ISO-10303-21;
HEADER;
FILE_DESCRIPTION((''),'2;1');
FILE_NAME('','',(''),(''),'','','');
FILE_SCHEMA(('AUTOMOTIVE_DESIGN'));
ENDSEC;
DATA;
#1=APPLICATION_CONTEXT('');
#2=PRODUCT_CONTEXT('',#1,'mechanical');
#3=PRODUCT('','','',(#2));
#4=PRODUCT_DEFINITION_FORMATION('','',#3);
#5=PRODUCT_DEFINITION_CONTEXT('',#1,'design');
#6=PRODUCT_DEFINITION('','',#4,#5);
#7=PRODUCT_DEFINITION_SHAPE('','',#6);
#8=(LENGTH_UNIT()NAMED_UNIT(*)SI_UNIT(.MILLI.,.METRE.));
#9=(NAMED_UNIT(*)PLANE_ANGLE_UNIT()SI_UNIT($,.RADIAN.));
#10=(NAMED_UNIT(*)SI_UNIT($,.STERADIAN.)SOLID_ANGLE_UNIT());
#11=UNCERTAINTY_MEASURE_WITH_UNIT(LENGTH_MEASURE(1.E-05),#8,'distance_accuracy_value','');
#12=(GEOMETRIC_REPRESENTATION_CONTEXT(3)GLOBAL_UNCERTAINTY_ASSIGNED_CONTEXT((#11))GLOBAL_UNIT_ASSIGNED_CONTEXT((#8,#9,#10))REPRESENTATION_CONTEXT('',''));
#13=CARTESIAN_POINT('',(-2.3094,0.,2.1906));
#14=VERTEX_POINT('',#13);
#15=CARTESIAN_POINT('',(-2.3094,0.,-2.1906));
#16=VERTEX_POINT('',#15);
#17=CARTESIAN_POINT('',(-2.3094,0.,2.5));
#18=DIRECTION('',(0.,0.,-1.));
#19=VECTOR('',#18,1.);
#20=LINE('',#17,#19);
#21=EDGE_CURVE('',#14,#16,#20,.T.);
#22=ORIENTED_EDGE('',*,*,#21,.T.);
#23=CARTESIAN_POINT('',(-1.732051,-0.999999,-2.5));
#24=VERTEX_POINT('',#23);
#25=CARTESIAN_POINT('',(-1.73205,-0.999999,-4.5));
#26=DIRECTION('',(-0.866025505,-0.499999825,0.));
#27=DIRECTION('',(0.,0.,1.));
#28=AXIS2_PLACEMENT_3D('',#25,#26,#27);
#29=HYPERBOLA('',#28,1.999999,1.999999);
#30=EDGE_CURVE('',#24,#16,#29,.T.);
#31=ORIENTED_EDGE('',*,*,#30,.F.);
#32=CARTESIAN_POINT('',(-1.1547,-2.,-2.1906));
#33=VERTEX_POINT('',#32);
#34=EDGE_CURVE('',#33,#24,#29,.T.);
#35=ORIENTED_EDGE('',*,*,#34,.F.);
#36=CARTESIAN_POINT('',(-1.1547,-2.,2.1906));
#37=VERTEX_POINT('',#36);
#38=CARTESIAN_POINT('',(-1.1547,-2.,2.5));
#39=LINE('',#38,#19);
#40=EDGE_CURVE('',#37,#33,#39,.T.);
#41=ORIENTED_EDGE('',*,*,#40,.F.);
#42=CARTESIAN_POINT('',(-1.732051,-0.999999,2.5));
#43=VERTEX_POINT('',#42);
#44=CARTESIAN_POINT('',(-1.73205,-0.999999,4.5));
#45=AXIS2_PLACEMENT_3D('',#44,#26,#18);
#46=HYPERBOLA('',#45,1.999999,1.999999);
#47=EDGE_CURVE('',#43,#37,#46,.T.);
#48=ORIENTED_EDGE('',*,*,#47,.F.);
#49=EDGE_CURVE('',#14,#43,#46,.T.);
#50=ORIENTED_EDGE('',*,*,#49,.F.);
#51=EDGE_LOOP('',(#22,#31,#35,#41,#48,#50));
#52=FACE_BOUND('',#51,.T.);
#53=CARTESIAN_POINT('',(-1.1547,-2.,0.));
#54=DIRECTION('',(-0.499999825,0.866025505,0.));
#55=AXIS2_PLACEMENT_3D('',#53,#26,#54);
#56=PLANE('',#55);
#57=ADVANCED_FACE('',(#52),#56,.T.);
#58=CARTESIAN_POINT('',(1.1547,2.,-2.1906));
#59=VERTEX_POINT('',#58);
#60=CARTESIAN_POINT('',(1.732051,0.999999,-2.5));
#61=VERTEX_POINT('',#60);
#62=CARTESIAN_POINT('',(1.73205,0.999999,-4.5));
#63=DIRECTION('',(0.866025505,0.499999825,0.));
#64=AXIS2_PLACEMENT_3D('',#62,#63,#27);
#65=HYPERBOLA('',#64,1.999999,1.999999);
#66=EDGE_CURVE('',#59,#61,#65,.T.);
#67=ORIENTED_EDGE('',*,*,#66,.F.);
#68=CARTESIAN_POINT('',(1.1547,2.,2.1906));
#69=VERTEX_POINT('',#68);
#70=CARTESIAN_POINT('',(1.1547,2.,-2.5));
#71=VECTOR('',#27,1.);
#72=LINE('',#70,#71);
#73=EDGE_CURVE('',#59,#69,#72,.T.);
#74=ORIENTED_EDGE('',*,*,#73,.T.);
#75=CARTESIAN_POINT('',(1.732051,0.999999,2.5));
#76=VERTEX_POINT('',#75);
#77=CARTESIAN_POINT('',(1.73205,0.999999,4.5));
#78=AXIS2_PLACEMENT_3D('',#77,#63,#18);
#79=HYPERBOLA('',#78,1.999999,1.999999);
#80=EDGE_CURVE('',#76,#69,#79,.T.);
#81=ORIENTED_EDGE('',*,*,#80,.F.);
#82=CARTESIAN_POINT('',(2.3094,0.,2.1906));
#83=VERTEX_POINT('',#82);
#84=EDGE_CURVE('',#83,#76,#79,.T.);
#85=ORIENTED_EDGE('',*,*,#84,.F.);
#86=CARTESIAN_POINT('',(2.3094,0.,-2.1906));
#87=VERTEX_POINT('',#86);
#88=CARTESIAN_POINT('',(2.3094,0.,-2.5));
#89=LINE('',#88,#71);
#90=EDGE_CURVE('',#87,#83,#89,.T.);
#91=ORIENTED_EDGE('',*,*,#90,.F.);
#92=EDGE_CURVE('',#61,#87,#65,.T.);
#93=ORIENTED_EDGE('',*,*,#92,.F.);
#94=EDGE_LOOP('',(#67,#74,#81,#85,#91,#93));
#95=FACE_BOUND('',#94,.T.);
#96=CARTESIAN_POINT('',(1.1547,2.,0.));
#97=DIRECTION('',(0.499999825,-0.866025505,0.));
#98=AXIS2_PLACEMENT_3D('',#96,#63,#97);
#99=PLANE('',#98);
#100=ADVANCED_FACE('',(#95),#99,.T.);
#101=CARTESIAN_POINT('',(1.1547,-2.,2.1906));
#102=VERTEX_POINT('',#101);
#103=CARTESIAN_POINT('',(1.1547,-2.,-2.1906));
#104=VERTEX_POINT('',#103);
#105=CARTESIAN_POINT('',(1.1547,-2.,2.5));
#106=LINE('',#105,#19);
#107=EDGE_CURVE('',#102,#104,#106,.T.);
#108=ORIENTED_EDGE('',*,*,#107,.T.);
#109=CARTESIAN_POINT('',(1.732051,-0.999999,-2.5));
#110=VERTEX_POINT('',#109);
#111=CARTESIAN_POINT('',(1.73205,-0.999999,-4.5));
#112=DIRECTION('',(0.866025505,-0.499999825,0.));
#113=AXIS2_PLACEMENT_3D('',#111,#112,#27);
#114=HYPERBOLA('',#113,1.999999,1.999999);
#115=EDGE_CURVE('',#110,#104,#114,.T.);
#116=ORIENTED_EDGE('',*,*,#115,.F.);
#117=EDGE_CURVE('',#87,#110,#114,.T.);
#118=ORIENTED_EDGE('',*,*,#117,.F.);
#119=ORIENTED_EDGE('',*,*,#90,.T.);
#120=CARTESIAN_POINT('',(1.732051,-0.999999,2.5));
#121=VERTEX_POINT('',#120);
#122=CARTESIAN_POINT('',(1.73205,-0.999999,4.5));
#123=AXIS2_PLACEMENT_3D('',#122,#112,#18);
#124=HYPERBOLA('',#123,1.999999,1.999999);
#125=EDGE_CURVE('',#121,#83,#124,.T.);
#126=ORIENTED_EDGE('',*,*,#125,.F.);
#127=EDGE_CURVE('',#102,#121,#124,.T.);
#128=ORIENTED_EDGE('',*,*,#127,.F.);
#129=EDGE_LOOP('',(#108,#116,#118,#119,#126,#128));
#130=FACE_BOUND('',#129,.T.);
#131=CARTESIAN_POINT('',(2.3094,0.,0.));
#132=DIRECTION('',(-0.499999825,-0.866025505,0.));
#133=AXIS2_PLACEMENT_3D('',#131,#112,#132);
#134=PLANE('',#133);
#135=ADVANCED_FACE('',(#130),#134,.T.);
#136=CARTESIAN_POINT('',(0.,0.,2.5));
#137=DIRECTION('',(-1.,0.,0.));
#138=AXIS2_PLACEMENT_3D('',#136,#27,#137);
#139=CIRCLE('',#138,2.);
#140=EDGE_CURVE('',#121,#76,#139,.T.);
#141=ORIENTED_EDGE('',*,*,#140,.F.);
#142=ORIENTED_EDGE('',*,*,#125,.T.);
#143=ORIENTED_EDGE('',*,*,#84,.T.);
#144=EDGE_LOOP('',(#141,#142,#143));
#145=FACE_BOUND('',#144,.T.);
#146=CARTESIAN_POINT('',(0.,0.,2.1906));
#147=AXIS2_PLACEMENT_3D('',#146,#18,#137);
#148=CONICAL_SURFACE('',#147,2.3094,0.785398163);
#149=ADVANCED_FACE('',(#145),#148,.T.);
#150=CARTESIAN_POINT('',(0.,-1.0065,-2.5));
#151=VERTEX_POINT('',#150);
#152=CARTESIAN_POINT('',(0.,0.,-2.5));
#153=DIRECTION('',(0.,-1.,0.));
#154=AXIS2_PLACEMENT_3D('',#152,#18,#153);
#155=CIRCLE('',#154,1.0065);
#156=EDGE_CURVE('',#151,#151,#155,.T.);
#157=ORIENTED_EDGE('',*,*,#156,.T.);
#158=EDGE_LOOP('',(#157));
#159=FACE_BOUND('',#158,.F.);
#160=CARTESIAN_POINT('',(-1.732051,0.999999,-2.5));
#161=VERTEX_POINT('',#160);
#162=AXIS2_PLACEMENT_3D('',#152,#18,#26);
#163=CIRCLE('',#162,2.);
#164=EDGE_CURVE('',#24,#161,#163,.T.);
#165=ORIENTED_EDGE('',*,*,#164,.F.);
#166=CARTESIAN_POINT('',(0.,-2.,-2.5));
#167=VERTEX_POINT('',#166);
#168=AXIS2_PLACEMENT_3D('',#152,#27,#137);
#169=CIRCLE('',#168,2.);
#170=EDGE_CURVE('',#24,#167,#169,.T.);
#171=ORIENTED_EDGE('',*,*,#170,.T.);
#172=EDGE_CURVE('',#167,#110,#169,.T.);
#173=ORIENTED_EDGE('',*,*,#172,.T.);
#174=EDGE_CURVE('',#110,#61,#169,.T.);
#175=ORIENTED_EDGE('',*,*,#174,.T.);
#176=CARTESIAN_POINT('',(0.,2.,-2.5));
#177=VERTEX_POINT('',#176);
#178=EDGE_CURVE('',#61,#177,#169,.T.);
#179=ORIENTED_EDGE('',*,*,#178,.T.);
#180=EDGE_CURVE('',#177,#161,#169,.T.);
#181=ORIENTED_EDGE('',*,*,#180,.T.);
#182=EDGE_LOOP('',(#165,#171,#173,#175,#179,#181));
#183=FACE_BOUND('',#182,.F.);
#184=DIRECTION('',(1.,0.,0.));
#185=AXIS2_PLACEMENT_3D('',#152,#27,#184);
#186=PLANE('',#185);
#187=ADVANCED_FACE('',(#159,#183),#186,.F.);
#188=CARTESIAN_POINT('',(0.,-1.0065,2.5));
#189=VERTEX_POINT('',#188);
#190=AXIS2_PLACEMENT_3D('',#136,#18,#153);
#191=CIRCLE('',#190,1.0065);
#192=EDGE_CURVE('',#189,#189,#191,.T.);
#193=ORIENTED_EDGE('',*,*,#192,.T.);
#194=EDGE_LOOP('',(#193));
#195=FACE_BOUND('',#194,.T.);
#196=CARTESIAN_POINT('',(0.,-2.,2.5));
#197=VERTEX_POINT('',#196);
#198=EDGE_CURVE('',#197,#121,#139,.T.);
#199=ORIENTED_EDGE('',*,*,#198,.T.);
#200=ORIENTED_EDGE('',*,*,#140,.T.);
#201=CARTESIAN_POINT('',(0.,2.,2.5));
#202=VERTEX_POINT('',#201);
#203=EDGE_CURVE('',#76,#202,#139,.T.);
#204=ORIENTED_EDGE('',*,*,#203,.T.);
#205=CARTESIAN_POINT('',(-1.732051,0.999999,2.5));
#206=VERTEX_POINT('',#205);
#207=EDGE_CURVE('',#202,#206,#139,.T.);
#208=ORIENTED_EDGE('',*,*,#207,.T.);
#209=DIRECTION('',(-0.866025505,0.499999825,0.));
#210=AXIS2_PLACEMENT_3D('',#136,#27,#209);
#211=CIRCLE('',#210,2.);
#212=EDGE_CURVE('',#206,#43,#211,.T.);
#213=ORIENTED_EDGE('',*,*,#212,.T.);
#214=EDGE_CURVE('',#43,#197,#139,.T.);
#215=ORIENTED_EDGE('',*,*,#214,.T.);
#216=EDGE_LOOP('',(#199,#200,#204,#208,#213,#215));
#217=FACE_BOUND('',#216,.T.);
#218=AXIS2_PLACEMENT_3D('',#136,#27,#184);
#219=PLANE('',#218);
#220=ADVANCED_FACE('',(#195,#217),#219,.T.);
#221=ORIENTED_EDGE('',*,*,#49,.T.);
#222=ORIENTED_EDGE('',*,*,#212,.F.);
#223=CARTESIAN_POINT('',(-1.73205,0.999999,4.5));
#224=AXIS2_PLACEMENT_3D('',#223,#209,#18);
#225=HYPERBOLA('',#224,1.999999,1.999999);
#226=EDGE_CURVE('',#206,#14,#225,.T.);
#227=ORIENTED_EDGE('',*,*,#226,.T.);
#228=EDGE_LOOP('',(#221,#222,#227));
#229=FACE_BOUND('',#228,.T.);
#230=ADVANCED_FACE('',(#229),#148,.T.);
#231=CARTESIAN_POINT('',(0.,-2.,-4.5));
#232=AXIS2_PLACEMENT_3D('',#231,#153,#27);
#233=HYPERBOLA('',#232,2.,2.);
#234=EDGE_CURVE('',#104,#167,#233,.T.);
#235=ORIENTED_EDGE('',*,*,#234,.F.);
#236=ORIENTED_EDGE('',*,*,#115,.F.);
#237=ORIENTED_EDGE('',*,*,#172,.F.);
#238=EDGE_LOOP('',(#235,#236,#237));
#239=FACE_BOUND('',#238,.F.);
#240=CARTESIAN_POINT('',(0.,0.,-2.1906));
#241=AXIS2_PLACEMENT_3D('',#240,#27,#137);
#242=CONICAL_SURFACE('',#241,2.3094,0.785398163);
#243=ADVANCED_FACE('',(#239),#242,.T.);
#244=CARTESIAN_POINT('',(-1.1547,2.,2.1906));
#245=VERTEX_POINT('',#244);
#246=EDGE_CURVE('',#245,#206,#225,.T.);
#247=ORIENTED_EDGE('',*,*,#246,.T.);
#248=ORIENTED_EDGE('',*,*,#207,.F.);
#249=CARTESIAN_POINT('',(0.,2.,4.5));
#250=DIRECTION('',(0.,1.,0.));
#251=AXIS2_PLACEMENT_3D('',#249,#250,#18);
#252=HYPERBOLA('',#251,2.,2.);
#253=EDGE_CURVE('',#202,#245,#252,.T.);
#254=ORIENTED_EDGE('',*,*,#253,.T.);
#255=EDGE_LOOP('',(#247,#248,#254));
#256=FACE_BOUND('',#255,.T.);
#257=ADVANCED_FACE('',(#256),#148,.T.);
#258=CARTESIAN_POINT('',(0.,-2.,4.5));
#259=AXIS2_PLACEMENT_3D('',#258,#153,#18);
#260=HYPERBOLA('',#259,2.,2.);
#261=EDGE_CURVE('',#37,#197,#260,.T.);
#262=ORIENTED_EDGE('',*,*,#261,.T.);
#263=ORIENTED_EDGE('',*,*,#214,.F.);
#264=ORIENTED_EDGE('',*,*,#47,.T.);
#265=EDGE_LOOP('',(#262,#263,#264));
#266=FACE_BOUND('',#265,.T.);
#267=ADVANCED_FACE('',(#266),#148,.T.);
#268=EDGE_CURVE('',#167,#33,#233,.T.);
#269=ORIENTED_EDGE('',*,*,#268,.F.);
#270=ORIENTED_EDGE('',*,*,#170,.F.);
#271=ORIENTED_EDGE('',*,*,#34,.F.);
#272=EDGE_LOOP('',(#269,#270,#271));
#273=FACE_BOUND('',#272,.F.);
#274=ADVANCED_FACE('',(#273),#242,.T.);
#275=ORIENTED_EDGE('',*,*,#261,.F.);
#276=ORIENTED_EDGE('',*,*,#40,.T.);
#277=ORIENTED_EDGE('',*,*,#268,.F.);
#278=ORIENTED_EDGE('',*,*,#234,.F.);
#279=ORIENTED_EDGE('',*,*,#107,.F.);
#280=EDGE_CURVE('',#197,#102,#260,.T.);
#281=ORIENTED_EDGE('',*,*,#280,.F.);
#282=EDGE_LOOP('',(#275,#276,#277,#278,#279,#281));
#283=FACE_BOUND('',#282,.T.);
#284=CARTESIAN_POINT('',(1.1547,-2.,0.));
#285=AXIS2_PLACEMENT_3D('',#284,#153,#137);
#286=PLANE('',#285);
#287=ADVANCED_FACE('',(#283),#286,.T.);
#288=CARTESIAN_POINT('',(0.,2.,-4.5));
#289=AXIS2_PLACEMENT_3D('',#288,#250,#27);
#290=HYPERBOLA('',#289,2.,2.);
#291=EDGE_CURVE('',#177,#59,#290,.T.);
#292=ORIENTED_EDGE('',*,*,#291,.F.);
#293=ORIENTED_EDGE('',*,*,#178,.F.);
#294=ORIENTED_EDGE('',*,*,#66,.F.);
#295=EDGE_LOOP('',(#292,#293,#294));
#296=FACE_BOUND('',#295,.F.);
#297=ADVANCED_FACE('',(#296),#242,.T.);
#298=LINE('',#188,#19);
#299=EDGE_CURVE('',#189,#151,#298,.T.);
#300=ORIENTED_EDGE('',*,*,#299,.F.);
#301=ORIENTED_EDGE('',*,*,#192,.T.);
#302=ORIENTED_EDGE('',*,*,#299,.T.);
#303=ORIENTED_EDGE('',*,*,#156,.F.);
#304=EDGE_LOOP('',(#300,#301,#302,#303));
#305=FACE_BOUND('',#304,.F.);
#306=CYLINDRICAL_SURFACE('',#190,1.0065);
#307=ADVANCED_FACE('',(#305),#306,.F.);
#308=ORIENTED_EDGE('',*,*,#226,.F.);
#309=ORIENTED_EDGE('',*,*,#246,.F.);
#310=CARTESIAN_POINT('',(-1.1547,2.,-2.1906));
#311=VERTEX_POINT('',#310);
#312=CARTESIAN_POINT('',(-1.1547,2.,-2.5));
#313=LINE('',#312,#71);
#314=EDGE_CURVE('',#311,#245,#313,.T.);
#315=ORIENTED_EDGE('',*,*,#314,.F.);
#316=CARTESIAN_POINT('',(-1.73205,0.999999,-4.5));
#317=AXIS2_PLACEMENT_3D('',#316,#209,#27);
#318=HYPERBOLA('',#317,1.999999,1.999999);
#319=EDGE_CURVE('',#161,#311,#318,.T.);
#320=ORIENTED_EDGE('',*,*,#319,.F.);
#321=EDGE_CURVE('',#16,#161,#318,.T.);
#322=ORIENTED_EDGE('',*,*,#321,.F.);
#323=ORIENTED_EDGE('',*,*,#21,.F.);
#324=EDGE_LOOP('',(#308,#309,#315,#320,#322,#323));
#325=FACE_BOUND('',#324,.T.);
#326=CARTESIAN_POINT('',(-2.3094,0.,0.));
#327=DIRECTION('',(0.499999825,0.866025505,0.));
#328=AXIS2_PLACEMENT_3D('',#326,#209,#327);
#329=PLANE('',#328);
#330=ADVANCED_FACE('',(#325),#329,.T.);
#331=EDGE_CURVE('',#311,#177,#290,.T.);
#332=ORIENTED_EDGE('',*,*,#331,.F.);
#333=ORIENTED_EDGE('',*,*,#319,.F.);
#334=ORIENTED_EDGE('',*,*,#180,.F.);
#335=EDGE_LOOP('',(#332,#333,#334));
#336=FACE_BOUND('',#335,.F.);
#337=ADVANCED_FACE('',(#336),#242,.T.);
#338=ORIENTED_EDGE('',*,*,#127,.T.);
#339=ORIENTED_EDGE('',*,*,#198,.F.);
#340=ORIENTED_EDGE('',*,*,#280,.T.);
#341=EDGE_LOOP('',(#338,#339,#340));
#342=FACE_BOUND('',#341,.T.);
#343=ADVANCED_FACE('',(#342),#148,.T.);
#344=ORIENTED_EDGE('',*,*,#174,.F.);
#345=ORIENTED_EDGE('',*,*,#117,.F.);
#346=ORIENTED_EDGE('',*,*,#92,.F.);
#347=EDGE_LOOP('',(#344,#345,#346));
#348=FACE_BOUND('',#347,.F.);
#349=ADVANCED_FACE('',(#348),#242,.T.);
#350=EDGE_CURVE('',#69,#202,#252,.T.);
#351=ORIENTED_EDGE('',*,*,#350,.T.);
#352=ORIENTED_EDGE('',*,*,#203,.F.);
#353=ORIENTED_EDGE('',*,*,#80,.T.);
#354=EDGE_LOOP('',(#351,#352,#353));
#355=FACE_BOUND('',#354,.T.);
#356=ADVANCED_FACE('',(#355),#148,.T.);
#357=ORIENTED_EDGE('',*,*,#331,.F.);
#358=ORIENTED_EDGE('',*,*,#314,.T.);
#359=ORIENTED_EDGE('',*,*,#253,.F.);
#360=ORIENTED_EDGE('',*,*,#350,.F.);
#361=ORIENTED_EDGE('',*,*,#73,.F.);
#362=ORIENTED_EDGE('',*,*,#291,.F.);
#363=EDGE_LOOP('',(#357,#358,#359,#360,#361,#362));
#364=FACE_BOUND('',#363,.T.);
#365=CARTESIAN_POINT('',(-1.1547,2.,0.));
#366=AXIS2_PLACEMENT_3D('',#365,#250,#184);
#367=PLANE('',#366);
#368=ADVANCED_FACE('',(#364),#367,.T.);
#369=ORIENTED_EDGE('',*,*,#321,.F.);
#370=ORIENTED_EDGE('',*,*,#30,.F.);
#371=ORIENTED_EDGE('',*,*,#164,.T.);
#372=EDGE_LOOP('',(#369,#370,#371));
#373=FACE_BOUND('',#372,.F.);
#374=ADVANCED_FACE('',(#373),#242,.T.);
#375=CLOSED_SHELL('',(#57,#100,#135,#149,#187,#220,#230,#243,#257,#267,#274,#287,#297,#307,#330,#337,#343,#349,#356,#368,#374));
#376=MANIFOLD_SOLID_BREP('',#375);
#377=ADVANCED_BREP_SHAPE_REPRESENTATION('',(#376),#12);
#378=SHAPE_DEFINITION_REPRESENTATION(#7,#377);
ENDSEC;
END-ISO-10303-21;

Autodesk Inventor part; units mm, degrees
ref_plane "YZ Plane" through (0, 0, 0) normal (1, 0, 0) x (0, 1, 0)
ref_plane "XZ Plane" through (0, 0, 0) normal (0, 1, 0) x (-1, 0, 0)
ref_plane "XY Plane" through (0, 0, 0) normal (0, 0, 1) x (1, 0, 0)
sketch "Skizze1" plane through (0, 0, 0) normal (0, 0, 1) x (1, 0, 0)
  line L0 (2.3094, 0) -> (1.1547, -2)
  line L1 (1.1547, -2) -> (-1.1547, -2)
  line L2 (-1.1547, -2) -> (-2.3094, 0)
  line L3 (-2.3094, 0) -> (-1.1547, 2)
  line L4 (-1.1547, 2) -> (1.1547, 2)
  line L5 (1.1547, 2) -> (2.3094, 0)
  point P0 (0, 0)
  point P1 (0, 0)
  dimension "SW" = 4
extrude "Extrusion1" add sketch "Skizze1" along normal mid plane 5
sketch "Skizze2" plane through (0, 0, 2.5) normal (0, 0, 1) x (1, 0, 0)
  point P0 (0, 0)
  point P1 (0, 0)
hole "Bohrung1" at (0, 0, 2.5) direction (0, 0, -1) diameter 2.013 end through all thread size "M2.5x0.45" class "6H" standard "ISO Metric profile"
sketch "Innenradius" plane through (0, 0, 2.5) normal (0, 0, 1) x (1, 0, 0)
  circle A0 centre (0, 0) radius 2
  line L0 (2.3094, 0) -> (1.1547, 2) projected
sketch "Skizze7" plane through (0, 0, 0) normal (0, 1, 0) x (-1, 0, 0)
  line L0 (-1.0065, 2.5) -> (1.0065, 2.5) projected
  line L1 (-1.1547, 2.5) -> (-2.3094, 2.5) projected
  line L2 (-2.3094, 2.5) -> (-1.1547, 2.5) projected
  line L3 (-1.1547, 2.5) -> (1.1547, 2.5) projected
  line L4 (1.1547, 2.5) -> (2.3094, 2.5) projected
  line L5 (2.3094, 2.5) -> (1.1547, 2.5) projected
  line L6 (1.1547, 2.5) -> (-1.1547, 2.5) projected
  line L7 (1.0065, -2.5) -> (-1.0065, -2.5) projected
  line L8 (-2.3094, -2.5) -> (-1.1547, -2.5) projected
  line L9 (-1.1547, -2.5) -> (1.1547, -2.5) projected
  line L10 (1.1547, -2.5) -> (2.3094, -2.5) projected
  line L11 (2.3094, -2.5) -> (1.1547, -2.5) projected
  line L12 (1.1547, -2.5) -> (-1.1547, -2.5) projected
  line L13 (-1.1547, -2.5) -> (-2.3094, -2.5) projected
  line L14 (0, -4.2) -> (0, 4.2) projected
  line L15 (0, 2.5) -> (0, -2.5)
  line L16 (2, 2.5) -> (-2, 2.5) projected
  line L17 (2, 2.5) -> (2.3094, 2.5)
  line L18 (2.3094, 2.1906) -> (2, 2.5)
  line L19 (2.3094, 2.5) -> (2.3094, 2.1906)
  point P0 (0, 0)
  dimension "d16" = 45
revolve "Umdrehung1" cut sketch "Skizze7" angle 360 about axis through (0, 0, 0) along (0, 0, 1)
mirror "Spiegeln1" about plane through (0, 0, 0) normal (0, 0, 1) of "Umdrehung1"
properties part number "M2.5x5" material "Stahl"
